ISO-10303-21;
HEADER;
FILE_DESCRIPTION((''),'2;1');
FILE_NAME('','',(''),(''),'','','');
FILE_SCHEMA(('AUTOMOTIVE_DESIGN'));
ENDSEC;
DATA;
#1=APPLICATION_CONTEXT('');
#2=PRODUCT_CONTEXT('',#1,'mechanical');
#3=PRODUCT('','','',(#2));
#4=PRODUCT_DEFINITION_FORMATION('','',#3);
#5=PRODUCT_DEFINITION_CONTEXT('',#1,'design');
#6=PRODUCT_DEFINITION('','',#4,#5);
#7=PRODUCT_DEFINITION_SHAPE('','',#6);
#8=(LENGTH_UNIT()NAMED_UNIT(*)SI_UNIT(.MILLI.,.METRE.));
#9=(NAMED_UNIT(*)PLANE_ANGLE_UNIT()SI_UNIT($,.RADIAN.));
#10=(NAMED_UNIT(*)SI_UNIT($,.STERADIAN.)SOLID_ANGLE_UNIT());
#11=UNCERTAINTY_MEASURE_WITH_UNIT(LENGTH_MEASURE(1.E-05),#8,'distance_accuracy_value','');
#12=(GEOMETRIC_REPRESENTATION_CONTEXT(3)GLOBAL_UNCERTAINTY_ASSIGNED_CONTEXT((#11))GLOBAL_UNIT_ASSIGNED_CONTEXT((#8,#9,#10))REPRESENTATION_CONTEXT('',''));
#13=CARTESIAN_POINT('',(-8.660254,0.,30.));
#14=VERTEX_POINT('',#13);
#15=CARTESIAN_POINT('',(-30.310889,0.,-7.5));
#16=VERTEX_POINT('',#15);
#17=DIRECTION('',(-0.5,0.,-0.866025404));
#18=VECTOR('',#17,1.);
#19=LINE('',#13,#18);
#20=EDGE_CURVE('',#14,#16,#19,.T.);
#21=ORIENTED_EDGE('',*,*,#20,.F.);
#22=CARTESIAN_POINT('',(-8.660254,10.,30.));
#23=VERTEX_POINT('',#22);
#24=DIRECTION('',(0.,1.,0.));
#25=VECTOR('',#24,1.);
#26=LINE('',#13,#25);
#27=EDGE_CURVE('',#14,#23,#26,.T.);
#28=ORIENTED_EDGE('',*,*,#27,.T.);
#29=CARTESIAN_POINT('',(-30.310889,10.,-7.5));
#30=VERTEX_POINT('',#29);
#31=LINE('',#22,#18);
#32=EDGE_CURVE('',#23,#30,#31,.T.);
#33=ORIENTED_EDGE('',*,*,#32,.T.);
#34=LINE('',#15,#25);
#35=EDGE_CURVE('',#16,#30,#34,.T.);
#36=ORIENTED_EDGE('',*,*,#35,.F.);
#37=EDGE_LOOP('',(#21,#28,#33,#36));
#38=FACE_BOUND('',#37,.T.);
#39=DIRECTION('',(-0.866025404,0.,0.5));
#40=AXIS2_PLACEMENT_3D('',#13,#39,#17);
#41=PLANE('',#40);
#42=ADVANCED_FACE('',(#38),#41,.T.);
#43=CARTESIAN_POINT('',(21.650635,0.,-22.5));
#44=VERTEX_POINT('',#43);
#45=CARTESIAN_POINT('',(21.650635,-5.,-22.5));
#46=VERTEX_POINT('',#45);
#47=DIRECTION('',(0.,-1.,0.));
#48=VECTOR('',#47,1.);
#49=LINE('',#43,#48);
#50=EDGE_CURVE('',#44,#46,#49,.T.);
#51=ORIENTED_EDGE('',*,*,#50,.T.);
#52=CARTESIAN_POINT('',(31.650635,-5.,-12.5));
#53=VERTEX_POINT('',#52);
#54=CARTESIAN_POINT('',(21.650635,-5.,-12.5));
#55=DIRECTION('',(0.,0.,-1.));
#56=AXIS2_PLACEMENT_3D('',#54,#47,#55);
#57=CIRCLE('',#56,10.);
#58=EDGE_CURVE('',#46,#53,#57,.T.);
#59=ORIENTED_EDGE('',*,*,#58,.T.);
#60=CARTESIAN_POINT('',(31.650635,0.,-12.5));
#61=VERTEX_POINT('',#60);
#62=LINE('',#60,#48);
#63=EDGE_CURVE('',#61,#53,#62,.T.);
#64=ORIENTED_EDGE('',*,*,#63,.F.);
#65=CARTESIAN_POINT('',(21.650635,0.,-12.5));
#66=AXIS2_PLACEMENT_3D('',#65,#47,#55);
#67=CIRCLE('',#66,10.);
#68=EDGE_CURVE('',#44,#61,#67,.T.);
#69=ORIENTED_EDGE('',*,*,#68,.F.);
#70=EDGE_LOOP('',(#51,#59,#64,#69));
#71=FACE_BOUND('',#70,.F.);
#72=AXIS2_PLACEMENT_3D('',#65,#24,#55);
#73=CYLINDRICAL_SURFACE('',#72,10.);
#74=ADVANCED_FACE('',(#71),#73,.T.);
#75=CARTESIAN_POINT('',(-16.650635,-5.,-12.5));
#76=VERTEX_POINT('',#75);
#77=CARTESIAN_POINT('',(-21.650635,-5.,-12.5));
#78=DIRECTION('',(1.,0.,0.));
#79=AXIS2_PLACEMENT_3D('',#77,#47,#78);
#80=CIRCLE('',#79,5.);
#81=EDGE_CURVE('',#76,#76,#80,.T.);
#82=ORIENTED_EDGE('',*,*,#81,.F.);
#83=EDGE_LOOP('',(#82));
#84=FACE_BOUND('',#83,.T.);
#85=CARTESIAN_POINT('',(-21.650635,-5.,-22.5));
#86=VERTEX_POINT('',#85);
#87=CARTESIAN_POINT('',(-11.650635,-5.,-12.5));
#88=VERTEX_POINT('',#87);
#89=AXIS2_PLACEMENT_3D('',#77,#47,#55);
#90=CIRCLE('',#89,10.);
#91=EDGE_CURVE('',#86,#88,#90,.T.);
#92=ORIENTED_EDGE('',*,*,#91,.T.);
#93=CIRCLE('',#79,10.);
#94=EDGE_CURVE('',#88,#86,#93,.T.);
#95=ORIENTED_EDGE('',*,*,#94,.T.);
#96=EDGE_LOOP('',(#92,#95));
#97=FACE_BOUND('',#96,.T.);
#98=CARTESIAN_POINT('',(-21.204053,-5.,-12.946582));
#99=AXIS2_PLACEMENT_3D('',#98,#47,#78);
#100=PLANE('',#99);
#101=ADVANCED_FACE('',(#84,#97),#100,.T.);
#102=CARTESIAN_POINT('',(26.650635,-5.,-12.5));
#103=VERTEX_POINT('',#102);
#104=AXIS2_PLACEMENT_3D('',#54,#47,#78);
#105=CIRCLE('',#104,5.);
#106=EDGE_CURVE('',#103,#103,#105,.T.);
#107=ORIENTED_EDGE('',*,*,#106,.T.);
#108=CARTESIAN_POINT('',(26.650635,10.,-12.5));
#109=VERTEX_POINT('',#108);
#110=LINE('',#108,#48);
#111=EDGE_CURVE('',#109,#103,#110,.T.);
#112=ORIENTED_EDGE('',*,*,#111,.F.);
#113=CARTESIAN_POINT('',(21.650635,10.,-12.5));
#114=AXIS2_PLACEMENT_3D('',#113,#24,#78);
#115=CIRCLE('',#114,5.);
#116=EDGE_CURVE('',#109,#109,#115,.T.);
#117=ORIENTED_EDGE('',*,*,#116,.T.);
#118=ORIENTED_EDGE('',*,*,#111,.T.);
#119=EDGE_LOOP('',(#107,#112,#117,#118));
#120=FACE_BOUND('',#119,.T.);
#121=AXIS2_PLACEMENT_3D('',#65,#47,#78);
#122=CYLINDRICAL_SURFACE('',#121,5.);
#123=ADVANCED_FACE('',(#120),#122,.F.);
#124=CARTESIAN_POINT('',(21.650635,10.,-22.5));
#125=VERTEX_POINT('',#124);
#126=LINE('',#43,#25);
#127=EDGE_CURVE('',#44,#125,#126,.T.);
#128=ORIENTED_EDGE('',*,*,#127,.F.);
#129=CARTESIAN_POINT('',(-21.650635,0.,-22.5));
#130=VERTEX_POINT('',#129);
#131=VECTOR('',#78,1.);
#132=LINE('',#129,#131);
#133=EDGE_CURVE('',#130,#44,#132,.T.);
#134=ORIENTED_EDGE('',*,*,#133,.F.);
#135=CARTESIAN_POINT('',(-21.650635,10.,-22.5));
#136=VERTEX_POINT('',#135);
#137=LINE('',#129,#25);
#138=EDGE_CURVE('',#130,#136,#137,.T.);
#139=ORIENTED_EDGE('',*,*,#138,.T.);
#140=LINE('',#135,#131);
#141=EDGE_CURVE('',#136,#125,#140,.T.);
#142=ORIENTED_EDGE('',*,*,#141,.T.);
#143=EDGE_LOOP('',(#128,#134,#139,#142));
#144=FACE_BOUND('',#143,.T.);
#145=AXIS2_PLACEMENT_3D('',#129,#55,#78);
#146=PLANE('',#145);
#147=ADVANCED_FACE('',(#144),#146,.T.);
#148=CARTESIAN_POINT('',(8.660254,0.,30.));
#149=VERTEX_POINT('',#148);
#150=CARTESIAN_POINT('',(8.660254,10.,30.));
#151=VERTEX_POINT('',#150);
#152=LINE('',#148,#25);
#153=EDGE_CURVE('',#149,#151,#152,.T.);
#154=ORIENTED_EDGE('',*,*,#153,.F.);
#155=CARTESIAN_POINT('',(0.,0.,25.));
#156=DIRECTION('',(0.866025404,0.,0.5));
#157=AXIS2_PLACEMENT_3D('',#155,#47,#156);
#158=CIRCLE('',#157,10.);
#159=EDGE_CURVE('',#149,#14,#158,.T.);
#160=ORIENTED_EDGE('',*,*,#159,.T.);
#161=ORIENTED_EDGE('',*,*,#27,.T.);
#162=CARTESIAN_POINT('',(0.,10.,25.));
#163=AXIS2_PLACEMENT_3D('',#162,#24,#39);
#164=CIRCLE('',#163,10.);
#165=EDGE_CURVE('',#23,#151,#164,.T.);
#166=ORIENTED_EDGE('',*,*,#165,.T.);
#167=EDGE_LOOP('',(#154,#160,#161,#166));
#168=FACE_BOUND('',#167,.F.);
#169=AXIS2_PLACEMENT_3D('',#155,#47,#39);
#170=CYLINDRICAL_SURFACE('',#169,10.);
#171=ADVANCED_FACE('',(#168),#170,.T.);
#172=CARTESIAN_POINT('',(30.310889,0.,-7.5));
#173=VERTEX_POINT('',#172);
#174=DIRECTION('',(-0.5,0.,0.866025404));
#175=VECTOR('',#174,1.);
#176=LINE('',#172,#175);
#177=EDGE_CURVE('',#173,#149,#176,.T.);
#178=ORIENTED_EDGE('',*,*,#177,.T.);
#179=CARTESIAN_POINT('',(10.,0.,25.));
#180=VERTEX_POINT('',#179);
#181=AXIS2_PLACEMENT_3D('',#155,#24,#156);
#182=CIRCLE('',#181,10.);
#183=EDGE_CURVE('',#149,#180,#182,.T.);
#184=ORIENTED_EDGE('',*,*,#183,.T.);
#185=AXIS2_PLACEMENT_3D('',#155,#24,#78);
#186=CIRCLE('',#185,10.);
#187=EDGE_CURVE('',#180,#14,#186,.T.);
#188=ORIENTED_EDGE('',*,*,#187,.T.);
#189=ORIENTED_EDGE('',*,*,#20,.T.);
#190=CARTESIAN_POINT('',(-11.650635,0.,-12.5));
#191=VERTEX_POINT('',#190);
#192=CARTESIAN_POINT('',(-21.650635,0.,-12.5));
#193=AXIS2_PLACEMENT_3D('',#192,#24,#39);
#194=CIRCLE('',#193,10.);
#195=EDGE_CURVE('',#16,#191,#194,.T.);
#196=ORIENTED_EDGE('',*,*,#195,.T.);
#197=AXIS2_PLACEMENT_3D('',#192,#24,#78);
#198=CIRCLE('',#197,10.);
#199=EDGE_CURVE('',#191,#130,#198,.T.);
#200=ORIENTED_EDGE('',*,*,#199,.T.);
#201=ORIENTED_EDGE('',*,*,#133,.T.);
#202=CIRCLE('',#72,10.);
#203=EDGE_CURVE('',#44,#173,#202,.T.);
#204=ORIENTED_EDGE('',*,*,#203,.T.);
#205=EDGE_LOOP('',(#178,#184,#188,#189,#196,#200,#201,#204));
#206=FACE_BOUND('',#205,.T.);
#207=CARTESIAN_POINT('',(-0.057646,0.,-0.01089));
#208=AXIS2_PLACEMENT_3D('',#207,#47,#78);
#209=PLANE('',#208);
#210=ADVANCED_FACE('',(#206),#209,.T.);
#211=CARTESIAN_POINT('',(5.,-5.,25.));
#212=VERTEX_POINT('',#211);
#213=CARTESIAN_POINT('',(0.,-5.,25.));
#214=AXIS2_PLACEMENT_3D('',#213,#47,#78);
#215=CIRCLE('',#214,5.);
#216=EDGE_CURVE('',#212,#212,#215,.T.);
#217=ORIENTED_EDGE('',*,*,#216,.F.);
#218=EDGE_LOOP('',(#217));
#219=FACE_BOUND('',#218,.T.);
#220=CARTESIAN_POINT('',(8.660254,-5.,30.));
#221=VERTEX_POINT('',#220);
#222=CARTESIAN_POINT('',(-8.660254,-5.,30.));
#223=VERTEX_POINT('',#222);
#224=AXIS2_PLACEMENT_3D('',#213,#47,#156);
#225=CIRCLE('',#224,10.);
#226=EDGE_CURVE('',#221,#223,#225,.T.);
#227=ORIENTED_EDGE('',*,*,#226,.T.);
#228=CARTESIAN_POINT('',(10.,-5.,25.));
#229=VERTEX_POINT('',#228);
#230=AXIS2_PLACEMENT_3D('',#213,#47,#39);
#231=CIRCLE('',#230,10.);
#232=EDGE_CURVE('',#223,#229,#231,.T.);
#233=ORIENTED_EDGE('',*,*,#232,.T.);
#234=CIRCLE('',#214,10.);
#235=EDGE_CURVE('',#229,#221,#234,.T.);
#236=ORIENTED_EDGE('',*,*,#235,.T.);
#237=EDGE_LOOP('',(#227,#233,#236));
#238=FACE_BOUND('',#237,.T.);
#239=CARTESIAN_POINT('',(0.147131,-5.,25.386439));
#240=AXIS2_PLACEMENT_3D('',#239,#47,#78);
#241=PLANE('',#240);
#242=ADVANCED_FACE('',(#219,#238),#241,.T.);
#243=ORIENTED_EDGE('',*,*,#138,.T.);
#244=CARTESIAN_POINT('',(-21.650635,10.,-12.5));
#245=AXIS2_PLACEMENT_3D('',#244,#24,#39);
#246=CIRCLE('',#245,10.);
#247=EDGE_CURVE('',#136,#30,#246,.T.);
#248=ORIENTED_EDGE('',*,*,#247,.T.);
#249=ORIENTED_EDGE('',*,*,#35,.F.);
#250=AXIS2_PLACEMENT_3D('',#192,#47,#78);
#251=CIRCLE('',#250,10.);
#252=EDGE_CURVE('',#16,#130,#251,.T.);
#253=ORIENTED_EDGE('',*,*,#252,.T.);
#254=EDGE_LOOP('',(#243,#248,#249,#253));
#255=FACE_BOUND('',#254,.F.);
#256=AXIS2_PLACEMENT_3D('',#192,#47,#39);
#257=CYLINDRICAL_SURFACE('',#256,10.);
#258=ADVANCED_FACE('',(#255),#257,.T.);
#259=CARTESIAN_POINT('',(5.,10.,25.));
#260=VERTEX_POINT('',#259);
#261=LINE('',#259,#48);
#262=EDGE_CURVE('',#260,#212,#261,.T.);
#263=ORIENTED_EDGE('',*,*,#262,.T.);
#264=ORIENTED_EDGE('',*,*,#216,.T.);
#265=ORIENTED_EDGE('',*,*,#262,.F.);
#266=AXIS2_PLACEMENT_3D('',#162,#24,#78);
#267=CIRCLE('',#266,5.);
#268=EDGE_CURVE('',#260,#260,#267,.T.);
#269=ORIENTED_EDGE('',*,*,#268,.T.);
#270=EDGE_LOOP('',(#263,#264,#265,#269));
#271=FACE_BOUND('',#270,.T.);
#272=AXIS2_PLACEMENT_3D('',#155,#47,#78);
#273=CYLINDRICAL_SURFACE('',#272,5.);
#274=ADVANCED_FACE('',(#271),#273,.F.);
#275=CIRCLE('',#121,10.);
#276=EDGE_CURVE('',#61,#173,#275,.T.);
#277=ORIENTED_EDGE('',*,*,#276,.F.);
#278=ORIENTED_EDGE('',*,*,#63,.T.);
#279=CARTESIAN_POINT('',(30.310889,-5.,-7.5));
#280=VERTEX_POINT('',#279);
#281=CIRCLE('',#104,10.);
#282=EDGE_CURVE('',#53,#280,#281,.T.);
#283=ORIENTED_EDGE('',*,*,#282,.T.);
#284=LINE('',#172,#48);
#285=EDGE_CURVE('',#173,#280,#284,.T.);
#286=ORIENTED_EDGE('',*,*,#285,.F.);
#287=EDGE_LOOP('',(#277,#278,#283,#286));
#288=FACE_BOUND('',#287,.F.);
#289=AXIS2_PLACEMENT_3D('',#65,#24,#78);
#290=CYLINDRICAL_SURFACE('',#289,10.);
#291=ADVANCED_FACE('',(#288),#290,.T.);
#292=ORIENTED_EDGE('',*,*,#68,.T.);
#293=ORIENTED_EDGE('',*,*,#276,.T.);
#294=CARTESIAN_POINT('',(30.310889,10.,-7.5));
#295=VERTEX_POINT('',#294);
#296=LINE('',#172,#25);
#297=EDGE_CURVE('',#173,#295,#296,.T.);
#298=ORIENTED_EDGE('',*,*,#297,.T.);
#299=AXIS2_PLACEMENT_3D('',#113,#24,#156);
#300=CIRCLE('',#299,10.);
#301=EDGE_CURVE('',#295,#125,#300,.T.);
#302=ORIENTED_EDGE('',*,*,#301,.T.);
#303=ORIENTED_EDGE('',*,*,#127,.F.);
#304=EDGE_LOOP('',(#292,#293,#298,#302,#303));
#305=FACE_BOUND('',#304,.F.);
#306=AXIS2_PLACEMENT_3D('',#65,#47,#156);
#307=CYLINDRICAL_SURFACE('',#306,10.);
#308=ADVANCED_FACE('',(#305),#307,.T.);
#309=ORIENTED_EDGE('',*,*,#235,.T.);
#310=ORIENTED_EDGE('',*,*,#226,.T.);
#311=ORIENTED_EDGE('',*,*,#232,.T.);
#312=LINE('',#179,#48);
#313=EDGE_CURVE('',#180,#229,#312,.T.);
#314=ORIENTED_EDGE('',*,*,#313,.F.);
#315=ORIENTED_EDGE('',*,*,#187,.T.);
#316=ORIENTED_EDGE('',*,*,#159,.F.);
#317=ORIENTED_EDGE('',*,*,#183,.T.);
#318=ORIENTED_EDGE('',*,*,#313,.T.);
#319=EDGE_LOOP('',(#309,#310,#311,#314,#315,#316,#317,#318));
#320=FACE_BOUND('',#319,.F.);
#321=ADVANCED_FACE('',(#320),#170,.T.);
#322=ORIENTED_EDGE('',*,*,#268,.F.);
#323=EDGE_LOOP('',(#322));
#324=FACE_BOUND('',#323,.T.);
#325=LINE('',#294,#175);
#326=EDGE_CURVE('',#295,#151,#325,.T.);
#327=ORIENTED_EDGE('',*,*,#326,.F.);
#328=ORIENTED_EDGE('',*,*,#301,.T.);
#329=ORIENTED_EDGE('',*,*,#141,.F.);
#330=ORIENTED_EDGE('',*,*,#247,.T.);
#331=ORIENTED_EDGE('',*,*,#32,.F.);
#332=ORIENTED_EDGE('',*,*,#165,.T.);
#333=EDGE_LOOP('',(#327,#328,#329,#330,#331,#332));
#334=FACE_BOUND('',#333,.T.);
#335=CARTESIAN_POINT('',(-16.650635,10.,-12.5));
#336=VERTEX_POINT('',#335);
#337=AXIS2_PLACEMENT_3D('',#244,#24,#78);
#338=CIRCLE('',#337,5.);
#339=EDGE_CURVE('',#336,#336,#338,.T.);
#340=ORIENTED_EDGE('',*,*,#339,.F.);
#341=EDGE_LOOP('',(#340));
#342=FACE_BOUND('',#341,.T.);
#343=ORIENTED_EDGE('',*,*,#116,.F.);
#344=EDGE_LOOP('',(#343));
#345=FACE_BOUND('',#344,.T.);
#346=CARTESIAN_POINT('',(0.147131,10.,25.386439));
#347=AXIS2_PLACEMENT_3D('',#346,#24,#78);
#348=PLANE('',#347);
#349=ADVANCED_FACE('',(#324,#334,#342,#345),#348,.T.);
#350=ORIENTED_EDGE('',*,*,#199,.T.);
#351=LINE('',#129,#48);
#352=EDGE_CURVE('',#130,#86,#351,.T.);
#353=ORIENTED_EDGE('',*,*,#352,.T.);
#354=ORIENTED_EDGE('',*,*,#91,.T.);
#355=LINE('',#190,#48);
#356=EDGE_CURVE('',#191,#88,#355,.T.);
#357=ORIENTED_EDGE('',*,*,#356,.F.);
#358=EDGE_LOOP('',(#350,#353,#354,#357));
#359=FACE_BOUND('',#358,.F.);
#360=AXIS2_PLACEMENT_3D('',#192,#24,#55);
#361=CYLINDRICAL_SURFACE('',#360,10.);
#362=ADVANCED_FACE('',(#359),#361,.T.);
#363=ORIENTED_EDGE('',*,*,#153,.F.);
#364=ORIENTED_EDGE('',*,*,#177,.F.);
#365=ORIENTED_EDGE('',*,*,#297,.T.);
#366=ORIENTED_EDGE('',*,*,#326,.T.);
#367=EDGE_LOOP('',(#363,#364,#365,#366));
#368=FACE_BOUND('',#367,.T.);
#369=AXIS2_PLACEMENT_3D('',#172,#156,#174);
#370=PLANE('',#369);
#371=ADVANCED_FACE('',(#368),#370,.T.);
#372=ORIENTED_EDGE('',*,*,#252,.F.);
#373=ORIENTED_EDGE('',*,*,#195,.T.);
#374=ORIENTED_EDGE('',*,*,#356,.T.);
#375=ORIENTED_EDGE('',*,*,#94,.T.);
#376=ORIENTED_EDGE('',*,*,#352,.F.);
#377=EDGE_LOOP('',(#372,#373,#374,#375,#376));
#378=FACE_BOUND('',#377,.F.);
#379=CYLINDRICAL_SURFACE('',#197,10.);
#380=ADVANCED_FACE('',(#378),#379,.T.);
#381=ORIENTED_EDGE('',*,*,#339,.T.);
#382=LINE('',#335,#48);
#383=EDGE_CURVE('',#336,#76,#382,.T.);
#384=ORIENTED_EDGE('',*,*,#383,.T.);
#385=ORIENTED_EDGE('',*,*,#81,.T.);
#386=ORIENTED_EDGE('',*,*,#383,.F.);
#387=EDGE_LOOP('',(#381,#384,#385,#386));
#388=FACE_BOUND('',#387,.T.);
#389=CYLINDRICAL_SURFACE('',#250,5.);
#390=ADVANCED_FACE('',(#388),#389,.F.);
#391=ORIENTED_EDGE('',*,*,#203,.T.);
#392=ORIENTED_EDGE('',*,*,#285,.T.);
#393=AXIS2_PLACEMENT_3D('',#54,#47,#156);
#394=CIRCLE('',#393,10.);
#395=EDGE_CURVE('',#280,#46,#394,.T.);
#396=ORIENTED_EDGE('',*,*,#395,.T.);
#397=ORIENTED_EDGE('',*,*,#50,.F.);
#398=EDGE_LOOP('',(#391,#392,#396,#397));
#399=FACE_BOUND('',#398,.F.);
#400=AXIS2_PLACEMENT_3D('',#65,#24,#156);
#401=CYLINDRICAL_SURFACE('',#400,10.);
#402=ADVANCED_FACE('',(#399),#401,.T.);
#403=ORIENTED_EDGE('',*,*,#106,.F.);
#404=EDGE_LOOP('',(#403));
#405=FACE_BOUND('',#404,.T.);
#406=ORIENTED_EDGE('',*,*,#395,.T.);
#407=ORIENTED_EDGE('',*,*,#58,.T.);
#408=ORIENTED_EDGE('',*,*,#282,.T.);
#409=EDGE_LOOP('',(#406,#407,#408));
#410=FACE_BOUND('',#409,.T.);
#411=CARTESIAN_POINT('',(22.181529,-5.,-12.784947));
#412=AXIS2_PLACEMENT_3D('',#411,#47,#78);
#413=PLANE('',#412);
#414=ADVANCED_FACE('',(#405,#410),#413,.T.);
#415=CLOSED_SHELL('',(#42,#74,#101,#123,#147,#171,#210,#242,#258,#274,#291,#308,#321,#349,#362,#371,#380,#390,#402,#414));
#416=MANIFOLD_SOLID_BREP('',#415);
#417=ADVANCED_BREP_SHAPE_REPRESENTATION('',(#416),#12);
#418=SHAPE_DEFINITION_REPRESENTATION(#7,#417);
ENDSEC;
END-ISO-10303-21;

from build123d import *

# Parameters (mm, degrees)
F1_DEPTH  = 10
F0_R      = 5
F2_DEPTH  = 5
F2_FACE_R = 5
F3_DEPTH  = 10


with BuildPart() as f1:
    # F0 (on Front) → F1 (new body)
    with BuildSketch(Plane.XZ):
        with BuildLine():
            ThreePointArc((8.6602540378, 30), (9.6592582629, 27.588190451), (10, 25))
            ThreePointArc((10, 25), (-2.588190451, 15.3407417371), (-8.6602540378, 30))
            Line((-8.6602540378, 30), (-30.3108891325, -7.5))
            ThreePointArc((-30.3108891325, -7.5), (-19.0624446436, -2.8407417371), (-11.6506350946, -12.5))
            ThreePointArc((-11.6506350946, -12.5), (-14.5795672827, -19.5710678119), (-21.6506350946, -22.5))
            Line((-21.6506350946, -22.5), (21.6506350946, -22.5))
            ThreePointArc((21.6506350946, -22.5), (12.9903810568, -7.5), (30.3108891325, -7.5))
            Line((30.3108891325, -7.5), (8.6602540378, 30))
        make_face()
    extrude(amount=-F1_DEPTH)

    # F0 (on Front) → F2 (join)
    with BuildSketch(Plane.XZ):
        with BuildLine():
            ThreePointArc((-8.6602540378, 30), (-2.588190451, 15.3407417371), (10, 25))
            ThreePointArc((10, 25), (9.6592582629, 27.588190451), (8.6602540378, 30))
            ThreePointArc((8.6602540378, 30), (0, 35), (-8.6602540378, 30))
        make_face()
        with Locations((0, 25)):
            Circle(F0_R, mode=Mode.SUBTRACT)
        with BuildLine():
            ThreePointArc((-11.6506350946, -12.5), (-19.0624446436, -2.8407417371), (-30.3108891325, -7.5))
            ThreePointArc((-30.3108891325, -7.5), (-30.3108891325, -17.5), (-21.6506350946, -22.5))
            ThreePointArc((-21.6506350946, -22.5), (-14.5795672827, -19.5710678119), (-11.6506350946, -12.5))
        make_face()
        with Locations((-21.6506350946, -12.5)):
            Circle(F0_R, mode=Mode.SUBTRACT)
        with BuildLine():
            ThreePointArc((31.6506350946, -12.5), (31.3098933575, -9.911809549), (30.3108891325, -7.5))
            ThreePointArc((30.3108891325, -7.5), (12.9903810568, -7.5), (21.6506350946, -22.5))
            ThreePointArc((21.6506350946, -22.5), (28.7217029065, -19.5710678119), (31.6506350946, -12.5))
        make_face()
        with Locations((21.6506350946, -12.5)):
            Circle(F0_R, mode=Mode.SUBTRACT)
    extrude(amount=F2_DEPTH)

    # F2_face (on face) → F3 (join)
    with BuildSketch(Plane(origin=(0, 0, 25), x_dir=(1, 0, 0), z_dir=(0, 1, 0))):
        with BuildLine():
            ThreePointArc((8.6602540378, -5), (9.6592582629, -2.588190451), (10, 0))
            ThreePointArc((10, 0), (-2.588190451, 9.6592582629), (-8.6602540378, -5))
            ThreePointArc((-8.6602540378, -5), (0, -10), (8.6602540378, -5))
        make_face()
        Circle(F2_FACE_R, mode=Mode.SUBTRACT)
        with BuildLine():
            ThreePointArc((21.6506350946, 47.5), (12.9903810568, 32.5), (30.3108891325, 32.5))
            ThreePointArc((30.3108891325, 32.5), (30.3108891325, 42.5), (21.6506350946, 47.5))
        make_face()
        with Locations((21.6506350946, 37.5)):
            Circle(F2_FACE_R, mode=Mode.SUBTRACT)
        with BuildLine():
            ThreePointArc((-21.6506350946, 47.5), (-30.3108891325, 42.5), (-30.3108891325, 32.5))
            ThreePointArc((-30.3108891325, 32.5), (-12.9903810568, 32.5), (-21.6506350946, 47.5))
        make_face()
        with Locations((-21.6506350946, 37.5)):
            Circle(F2_FACE_R, mode=Mode.SUBTRACT)
    extrude(amount=F3_DEPTH)


solid = f1.part
